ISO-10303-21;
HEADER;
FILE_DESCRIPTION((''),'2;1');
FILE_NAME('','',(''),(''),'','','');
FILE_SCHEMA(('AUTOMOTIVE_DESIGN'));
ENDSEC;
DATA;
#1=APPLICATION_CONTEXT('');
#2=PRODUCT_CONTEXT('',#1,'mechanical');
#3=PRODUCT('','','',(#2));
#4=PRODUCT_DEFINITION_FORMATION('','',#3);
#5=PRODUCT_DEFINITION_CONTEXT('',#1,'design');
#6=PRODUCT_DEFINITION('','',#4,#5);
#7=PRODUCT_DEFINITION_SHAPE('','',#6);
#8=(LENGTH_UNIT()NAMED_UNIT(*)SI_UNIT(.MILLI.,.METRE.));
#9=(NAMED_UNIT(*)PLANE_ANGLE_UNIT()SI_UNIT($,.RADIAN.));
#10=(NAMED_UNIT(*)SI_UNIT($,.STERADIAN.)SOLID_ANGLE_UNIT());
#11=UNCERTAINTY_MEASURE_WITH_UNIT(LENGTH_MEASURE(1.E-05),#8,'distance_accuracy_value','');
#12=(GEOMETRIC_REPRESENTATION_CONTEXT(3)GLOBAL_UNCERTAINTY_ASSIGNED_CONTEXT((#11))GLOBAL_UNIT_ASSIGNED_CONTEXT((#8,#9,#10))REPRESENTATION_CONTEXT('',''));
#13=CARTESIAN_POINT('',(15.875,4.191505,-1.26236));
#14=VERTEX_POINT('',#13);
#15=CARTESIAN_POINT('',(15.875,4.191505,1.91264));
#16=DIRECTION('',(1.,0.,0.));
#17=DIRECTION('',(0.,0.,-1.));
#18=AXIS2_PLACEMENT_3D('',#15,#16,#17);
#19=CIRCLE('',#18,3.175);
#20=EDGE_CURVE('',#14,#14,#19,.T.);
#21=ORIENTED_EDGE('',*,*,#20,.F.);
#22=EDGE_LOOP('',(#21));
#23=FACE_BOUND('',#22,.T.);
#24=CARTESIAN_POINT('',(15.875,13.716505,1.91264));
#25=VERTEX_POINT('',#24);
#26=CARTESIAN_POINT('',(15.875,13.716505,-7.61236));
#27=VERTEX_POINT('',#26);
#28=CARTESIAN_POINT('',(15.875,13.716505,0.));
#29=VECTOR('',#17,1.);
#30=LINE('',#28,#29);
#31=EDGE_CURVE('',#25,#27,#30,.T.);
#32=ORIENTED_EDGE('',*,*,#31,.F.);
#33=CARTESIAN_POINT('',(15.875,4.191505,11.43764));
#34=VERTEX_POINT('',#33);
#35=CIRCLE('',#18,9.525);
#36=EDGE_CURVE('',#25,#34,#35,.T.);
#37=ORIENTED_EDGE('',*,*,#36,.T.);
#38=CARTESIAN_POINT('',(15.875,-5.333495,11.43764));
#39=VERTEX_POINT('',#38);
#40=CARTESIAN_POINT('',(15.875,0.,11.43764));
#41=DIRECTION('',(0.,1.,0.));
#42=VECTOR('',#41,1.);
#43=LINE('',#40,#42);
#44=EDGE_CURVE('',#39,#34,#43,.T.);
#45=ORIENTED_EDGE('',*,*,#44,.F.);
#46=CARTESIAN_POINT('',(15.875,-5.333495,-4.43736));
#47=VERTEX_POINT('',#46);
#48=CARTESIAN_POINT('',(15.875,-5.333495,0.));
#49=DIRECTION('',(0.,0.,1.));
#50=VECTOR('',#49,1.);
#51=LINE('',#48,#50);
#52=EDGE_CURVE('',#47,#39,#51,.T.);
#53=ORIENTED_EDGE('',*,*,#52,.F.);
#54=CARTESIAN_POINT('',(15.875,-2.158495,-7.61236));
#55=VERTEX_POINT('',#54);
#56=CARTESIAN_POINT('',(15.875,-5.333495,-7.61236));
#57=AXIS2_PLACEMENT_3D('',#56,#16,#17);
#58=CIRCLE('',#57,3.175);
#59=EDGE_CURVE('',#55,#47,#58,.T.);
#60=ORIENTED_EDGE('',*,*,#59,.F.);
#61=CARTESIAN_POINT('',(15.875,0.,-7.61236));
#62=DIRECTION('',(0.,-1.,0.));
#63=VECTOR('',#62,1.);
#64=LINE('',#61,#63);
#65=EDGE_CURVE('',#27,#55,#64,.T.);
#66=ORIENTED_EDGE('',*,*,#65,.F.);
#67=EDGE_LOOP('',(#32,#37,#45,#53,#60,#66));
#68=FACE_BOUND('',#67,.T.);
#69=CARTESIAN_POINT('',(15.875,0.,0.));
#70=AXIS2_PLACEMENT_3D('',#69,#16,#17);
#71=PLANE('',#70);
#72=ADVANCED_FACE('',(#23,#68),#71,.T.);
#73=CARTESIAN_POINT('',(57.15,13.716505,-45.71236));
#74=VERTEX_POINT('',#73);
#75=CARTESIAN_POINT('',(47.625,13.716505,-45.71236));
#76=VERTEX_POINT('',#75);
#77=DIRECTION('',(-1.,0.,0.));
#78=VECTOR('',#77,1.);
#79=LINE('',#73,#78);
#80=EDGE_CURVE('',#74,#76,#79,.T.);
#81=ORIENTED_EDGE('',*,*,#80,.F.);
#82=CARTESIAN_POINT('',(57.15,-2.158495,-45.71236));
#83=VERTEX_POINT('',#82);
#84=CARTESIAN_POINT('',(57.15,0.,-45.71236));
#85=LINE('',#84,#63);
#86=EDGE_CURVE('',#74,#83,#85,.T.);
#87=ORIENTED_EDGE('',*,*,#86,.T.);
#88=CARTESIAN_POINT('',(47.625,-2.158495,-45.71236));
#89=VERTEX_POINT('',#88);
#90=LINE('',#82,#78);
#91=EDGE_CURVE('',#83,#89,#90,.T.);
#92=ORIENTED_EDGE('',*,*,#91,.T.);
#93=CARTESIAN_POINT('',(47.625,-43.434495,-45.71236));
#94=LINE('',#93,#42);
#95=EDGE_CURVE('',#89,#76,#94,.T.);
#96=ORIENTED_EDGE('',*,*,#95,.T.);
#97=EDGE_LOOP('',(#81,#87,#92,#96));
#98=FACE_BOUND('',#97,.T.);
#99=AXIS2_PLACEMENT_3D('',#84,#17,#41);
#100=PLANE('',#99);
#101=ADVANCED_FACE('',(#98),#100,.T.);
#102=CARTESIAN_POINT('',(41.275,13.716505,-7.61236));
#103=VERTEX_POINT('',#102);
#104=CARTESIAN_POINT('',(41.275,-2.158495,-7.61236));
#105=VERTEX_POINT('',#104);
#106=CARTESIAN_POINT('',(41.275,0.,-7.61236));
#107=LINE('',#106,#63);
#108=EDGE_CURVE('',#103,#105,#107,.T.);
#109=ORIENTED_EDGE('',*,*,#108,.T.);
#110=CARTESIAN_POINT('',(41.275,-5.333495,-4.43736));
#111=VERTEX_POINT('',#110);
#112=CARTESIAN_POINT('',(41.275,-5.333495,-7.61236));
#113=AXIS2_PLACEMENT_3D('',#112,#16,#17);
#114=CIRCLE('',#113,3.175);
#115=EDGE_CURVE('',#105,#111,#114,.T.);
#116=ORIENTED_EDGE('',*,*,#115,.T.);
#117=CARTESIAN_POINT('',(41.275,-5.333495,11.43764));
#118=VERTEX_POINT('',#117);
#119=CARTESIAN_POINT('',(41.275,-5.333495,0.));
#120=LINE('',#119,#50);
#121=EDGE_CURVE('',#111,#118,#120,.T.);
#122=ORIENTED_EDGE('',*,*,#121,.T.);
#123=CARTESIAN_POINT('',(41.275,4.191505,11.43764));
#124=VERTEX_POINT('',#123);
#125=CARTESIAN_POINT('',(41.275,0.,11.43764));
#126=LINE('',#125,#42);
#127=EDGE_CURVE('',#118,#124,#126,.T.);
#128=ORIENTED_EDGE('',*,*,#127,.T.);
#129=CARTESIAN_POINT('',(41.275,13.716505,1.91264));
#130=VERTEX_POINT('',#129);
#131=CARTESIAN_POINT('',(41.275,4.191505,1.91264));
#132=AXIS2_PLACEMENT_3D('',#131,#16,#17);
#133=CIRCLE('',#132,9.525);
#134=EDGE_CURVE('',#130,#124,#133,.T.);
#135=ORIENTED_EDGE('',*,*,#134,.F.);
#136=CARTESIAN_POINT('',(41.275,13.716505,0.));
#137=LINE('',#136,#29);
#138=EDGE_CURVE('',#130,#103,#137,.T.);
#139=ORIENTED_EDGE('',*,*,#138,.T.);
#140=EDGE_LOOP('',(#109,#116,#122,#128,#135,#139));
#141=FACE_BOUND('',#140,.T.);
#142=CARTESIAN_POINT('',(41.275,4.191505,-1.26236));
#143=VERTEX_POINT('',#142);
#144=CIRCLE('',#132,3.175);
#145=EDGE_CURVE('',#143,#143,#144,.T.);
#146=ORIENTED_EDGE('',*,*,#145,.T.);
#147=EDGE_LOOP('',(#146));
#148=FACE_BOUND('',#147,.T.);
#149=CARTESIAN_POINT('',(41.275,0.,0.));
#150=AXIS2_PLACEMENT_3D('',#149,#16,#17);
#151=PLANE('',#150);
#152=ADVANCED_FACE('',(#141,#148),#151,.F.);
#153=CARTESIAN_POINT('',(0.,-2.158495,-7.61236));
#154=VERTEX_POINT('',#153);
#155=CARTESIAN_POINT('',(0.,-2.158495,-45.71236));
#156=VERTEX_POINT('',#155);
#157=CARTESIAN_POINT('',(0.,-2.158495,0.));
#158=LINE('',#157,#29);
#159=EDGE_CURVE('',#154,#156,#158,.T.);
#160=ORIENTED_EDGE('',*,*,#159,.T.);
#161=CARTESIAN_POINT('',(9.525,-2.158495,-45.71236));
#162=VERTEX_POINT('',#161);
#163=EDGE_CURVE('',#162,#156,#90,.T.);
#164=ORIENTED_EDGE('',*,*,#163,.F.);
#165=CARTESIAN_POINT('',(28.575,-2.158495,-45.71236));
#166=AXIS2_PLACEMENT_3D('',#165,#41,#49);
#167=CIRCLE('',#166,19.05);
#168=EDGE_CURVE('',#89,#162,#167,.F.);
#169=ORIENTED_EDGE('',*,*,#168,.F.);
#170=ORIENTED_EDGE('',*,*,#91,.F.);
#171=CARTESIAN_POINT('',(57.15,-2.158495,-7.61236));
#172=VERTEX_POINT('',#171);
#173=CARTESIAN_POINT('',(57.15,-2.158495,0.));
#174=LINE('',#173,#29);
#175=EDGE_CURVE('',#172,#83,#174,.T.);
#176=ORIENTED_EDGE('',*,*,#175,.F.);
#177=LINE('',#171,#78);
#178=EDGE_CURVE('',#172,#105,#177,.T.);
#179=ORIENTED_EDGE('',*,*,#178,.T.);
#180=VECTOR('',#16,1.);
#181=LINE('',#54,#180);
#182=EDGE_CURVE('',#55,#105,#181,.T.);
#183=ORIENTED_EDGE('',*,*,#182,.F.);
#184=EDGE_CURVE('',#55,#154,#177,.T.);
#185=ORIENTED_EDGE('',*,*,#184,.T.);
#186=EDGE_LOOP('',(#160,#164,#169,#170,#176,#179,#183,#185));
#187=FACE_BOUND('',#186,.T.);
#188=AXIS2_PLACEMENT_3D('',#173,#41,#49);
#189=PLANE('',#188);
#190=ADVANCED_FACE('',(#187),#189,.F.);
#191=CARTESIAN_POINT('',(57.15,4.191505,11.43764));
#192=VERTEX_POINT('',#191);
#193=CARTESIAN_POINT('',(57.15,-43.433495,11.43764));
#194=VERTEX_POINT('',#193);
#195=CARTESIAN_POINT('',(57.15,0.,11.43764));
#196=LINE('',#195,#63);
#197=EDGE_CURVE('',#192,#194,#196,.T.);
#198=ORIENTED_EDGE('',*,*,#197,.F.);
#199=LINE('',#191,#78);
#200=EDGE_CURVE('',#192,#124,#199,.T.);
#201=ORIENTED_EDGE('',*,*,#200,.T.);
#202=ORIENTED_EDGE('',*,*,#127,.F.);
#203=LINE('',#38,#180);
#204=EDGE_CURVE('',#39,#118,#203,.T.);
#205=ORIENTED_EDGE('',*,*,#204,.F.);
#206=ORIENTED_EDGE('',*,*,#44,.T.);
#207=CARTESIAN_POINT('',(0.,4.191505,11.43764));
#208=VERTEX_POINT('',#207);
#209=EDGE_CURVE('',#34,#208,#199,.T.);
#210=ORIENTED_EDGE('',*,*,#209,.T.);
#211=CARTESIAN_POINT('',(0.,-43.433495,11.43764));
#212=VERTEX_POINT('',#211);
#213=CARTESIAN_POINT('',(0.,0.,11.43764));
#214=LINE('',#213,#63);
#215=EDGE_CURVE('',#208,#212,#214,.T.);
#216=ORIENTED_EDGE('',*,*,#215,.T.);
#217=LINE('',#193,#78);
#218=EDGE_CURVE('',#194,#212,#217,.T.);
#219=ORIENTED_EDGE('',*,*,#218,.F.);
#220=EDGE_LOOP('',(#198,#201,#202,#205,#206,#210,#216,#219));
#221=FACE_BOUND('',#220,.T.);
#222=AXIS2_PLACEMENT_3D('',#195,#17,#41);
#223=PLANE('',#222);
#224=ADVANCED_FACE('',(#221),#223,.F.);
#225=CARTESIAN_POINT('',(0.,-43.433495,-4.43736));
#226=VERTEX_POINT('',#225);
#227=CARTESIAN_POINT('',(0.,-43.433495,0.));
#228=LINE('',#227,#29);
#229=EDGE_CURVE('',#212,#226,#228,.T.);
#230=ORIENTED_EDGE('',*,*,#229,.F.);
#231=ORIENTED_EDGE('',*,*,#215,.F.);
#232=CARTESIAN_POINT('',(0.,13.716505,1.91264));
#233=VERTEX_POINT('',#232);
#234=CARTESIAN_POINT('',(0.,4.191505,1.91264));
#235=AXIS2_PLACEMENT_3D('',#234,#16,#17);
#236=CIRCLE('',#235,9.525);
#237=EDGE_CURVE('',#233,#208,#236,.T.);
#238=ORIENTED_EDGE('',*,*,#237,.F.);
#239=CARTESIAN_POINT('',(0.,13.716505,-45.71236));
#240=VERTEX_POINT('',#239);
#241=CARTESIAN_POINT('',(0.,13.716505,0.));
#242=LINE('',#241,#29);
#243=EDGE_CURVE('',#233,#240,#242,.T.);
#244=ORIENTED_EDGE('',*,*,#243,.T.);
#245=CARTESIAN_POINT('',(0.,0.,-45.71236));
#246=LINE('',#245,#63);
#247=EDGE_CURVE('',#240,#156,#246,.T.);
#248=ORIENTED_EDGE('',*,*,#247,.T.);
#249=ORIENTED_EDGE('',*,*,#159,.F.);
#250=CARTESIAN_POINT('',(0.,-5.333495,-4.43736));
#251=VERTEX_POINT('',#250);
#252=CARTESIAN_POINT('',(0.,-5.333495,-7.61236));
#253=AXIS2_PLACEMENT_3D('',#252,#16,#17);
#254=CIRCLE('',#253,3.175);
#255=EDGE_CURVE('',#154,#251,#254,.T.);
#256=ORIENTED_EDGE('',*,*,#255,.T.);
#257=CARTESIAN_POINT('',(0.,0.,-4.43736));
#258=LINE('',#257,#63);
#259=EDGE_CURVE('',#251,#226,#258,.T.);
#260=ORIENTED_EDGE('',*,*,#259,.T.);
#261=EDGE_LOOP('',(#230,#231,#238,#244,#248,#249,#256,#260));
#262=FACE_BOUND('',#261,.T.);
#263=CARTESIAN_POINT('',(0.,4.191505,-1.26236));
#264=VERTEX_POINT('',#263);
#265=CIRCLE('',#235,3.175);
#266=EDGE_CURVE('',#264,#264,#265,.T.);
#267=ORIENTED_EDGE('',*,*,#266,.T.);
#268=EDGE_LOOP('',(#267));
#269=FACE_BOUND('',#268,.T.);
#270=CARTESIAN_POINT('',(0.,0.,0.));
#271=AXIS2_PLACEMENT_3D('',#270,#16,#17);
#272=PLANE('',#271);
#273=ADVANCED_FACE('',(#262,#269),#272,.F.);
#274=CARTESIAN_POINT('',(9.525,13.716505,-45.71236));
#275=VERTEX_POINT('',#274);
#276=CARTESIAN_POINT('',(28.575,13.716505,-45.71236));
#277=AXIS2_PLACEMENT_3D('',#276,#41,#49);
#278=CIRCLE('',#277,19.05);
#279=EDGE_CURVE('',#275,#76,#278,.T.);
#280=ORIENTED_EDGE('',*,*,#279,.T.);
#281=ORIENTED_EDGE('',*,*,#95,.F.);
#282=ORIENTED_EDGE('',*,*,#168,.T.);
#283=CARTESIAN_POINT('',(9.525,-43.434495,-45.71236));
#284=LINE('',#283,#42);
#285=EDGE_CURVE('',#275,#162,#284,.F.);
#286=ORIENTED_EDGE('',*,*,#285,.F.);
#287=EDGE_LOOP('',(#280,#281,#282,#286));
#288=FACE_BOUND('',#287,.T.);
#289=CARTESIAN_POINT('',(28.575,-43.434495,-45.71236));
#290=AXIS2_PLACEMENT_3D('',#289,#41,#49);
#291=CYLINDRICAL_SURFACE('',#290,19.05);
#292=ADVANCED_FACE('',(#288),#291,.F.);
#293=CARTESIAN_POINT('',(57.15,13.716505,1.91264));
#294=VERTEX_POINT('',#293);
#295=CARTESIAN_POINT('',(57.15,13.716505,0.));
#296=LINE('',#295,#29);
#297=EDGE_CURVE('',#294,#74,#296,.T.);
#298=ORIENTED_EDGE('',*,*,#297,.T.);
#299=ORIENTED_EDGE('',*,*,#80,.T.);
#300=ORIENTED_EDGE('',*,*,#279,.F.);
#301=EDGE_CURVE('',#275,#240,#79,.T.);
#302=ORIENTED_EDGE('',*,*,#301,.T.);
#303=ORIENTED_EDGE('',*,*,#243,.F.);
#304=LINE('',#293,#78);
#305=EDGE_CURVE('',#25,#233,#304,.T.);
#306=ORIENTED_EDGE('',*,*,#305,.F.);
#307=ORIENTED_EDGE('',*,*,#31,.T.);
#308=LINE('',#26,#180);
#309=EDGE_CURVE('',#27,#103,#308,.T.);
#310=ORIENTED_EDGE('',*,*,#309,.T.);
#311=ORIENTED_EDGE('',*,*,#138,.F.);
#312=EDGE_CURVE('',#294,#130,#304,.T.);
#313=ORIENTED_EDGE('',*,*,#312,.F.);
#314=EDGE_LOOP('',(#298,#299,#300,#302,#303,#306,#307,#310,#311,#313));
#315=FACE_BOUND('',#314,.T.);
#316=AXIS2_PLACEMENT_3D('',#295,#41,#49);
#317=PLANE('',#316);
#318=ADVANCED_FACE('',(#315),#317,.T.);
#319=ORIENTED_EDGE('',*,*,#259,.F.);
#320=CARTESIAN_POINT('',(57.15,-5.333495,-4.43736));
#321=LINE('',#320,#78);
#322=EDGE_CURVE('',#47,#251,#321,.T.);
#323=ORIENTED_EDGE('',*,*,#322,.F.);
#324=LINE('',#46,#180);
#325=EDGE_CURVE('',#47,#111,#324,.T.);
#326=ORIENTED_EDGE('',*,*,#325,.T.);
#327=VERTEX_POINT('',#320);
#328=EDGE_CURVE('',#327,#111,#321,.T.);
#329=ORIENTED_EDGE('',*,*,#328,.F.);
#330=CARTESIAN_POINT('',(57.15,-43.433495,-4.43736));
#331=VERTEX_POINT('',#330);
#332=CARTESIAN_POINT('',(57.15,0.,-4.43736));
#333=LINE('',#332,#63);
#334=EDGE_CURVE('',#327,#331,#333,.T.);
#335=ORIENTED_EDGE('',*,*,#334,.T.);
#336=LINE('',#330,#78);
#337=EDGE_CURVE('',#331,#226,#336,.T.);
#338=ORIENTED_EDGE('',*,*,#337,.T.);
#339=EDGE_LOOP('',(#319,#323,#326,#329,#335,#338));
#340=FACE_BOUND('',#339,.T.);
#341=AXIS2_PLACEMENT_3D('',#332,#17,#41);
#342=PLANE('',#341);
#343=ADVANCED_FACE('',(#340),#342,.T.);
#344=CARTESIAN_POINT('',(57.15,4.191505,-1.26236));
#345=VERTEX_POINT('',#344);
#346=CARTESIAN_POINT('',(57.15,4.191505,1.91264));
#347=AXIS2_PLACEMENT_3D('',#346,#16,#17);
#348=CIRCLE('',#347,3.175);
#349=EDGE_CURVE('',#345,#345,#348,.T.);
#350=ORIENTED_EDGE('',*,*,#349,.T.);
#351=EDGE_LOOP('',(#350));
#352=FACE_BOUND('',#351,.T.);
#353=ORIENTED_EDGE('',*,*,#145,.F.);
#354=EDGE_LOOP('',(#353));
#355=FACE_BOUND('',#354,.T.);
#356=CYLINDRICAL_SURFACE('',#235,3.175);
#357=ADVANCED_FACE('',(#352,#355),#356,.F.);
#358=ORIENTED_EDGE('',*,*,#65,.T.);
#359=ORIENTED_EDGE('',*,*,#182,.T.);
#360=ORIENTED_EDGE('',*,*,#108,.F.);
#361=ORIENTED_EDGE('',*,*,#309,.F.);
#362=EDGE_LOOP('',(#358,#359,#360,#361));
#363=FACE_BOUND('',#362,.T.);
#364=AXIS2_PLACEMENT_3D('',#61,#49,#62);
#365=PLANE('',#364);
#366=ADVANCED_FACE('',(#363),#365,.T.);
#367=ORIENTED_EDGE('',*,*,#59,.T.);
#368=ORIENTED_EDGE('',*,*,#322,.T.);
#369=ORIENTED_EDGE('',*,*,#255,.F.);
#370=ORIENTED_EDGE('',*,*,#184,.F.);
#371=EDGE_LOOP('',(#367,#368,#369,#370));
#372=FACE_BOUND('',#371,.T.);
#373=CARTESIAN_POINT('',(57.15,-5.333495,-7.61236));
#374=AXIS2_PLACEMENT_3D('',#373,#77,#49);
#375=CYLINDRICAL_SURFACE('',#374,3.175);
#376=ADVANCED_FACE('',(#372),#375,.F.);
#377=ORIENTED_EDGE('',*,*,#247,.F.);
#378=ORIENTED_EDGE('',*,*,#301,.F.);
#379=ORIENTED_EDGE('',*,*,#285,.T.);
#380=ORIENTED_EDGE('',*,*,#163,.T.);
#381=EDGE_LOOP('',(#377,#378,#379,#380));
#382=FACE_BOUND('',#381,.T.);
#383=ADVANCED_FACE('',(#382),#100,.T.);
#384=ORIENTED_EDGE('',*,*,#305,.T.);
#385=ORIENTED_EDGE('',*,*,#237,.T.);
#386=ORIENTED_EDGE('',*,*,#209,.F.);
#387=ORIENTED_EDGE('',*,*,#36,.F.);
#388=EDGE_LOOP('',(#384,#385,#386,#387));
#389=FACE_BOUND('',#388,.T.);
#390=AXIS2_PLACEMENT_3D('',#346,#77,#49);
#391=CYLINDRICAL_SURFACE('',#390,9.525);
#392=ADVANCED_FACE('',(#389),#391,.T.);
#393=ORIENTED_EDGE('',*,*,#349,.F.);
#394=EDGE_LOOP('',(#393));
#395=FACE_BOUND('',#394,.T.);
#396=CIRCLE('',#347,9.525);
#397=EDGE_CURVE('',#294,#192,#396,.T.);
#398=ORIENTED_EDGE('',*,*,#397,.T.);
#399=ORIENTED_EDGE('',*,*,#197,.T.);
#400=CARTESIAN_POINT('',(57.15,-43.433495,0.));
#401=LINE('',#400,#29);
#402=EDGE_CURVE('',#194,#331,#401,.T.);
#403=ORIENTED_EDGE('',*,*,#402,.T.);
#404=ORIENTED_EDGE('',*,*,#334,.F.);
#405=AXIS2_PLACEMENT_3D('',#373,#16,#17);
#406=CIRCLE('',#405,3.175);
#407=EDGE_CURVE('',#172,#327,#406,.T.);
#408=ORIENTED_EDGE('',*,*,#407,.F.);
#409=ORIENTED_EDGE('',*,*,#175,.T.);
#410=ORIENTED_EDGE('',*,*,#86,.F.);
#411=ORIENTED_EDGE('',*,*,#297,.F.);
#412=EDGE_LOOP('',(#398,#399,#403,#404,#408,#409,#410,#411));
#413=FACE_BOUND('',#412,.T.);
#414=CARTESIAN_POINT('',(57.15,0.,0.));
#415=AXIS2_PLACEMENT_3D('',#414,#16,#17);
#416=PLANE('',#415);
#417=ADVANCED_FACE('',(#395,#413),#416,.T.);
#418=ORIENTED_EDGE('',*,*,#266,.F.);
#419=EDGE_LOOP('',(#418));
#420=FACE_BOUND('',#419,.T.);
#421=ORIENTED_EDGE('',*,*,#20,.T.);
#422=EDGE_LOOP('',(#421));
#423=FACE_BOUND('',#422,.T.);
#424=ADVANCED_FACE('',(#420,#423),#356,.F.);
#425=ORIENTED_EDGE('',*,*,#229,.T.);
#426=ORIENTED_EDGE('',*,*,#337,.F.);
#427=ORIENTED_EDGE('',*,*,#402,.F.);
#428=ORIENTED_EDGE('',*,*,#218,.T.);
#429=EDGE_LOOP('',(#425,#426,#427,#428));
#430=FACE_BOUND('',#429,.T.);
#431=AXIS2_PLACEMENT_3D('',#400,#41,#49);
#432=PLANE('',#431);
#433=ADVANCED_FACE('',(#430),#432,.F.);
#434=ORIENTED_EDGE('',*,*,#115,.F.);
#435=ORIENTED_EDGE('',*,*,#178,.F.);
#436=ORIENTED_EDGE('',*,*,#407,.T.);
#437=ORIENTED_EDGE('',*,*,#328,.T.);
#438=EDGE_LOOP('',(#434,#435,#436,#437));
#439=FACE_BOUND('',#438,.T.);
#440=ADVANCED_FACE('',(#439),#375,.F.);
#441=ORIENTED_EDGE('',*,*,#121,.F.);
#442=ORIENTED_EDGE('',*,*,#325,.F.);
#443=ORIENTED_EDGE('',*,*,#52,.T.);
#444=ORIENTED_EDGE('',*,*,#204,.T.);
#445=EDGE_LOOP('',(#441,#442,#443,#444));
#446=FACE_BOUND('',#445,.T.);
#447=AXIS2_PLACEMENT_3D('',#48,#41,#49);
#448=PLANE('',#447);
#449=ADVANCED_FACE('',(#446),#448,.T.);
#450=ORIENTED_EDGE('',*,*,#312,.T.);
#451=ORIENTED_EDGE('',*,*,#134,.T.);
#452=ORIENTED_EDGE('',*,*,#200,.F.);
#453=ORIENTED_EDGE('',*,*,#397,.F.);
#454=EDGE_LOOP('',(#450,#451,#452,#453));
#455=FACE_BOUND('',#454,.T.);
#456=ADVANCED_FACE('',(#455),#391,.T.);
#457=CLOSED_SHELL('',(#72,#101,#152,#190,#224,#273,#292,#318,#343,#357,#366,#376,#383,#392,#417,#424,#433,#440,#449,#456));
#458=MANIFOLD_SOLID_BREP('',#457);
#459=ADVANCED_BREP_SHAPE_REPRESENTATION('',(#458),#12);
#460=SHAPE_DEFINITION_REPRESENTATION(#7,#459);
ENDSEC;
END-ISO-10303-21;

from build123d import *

# Parameters (mm, degrees)
BOSS_EXTRUDE1_DEPTH = 57.15
BOSS_EXTRUDE2_DEPTH = 57.15
CUT_EXTRUDE1_REACH  = 59.15
SKETCH4_R           = 19.05
SKETCH5_R           = 3.175
CUT_EXTRUDE2_DEPTH  = 25.4
SKETCH7_R           = 3.175
CUT_EXTRUDE3_DEPTH  = 58.15


with BuildPart() as part:
    # Sketch2 → Boss-Extrude1 (new body)
    with BuildSketch(Plane(origin=(0, 0, 0), x_dir=(0, 0, -1), z_dir=(1, 0, 0))):
        with BuildLine():
            Line((45.71235962, 13.716504708), (-1.91264038, 13.716504708))
            ThreePointArc((-1.91264038, 13.716504708), (-8.647832471, 10.926696799), (-11.43764038, 4.191504708))
            Line((-11.43764038, 4.191504708), (-11.43764038, -43.433495292))
            Line((-11.43764038, -43.433495292), (4.43735962, -43.433495292))
            Line((4.43735962, -43.433495292), (4.43735962, -2.158495292))
            Line((4.43735962, -2.158495292), (45.71235962, -2.158495292))
            Line((45.71235962, -2.158495292), (45.71235962, 13.716504708))
        make_face()
    extrude(amount=BOSS_EXTRUDE1_DEPTH)

    # Sketch3 → Boss-Extrude2 (add)
    with BuildSketch(Plane(origin=(0, 0, 0), x_dir=(0, 0, -1), z_dir=(1, 0, 0))):
        with BuildLine():
            Line((4.43735962, -5.333495292), (4.43735962, -2.158495292))
            Line((4.43735962, -2.158495292), (7.61235962, -2.158495292))
            ThreePointArc((7.61235962, -2.158495292), (5.36729559, -3.088431262), (4.43735962, -5.333495292))
        make_face()
    extrude(amount=BOSS_EXTRUDE2_DEPTH)

    # Sketch4 → Cut-Extrude1 (cut, up to next)
    with BuildSketch(Plane(origin=(0, 13.716504708, 0), x_dir=(1, 0, 0), z_dir=(0, 1, 0)), mode=Mode.PRIVATE) as cut_extrude1_sk1:
        with Locations((28.575, 45.71235962)):
            Circle(SKETCH4_R)
    cut_extrude1_tool1 = extrude(cut_extrude1_sk1.sketch, amount=-CUT_EXTRUDE1_REACH, mode=Mode.PRIVATE) & part.part
    add(cut_extrude1_tool1.solids().sort_by_distance((28.575, 13.716505, -45.71236))[0], mode=Mode.SUBTRACT)

    # Sketch5 → Cut-Extrude2 (cut)
    with BuildSketch(Plane(origin=(41.275, 0, 0), x_dir=(0, 0, -1), z_dir=(1, 0, 0))):
        with BuildLine():
            Line((7.61235962, -2.158495292), (7.61235962, 13.716504708))
            Line((7.61235962, 13.716504708), (-1.91264038, 13.716504708))
            ThreePointArc((-1.91264038, 13.716504708), (-8.647832471, 10.926696799), (-11.43764038, 4.191504708))
            Line((-11.43764038, 4.191504708), (-11.43764038, -2.158495292))
            Line((-11.43764038, -2.158495292), (-11.43764038, -5.333495292))
            Line((-11.43764038, -5.333495292), (4.43735962, -5.333495292))
            ThreePointArc((4.43735962, -5.333495292), (5.36729559, -3.088431262), (7.61235962, -2.158495292))
        make_face()
        with Locations((-1.91264038, 4.191504708)):
            Circle(SKETCH5_R, mode=Mode.SUBTRACT)
    extrude(amount=-CUT_EXTRUDE2_DEPTH, mode=Mode.SUBTRACT)

    # Sketch7 → Cut-Extrude3 (cut, through all)
    with BuildSketch(Plane(origin=(57.15, 0, 0), x_dir=(0, 0, -1), z_dir=(1, 0, 0))):
        with Locations((-1.91264038, 4.191504708)):
            Circle(SKETCH7_R)
    extrude(amount=-CUT_EXTRUDE3_DEPTH, mode=Mode.SUBTRACT)


solid = part.part
